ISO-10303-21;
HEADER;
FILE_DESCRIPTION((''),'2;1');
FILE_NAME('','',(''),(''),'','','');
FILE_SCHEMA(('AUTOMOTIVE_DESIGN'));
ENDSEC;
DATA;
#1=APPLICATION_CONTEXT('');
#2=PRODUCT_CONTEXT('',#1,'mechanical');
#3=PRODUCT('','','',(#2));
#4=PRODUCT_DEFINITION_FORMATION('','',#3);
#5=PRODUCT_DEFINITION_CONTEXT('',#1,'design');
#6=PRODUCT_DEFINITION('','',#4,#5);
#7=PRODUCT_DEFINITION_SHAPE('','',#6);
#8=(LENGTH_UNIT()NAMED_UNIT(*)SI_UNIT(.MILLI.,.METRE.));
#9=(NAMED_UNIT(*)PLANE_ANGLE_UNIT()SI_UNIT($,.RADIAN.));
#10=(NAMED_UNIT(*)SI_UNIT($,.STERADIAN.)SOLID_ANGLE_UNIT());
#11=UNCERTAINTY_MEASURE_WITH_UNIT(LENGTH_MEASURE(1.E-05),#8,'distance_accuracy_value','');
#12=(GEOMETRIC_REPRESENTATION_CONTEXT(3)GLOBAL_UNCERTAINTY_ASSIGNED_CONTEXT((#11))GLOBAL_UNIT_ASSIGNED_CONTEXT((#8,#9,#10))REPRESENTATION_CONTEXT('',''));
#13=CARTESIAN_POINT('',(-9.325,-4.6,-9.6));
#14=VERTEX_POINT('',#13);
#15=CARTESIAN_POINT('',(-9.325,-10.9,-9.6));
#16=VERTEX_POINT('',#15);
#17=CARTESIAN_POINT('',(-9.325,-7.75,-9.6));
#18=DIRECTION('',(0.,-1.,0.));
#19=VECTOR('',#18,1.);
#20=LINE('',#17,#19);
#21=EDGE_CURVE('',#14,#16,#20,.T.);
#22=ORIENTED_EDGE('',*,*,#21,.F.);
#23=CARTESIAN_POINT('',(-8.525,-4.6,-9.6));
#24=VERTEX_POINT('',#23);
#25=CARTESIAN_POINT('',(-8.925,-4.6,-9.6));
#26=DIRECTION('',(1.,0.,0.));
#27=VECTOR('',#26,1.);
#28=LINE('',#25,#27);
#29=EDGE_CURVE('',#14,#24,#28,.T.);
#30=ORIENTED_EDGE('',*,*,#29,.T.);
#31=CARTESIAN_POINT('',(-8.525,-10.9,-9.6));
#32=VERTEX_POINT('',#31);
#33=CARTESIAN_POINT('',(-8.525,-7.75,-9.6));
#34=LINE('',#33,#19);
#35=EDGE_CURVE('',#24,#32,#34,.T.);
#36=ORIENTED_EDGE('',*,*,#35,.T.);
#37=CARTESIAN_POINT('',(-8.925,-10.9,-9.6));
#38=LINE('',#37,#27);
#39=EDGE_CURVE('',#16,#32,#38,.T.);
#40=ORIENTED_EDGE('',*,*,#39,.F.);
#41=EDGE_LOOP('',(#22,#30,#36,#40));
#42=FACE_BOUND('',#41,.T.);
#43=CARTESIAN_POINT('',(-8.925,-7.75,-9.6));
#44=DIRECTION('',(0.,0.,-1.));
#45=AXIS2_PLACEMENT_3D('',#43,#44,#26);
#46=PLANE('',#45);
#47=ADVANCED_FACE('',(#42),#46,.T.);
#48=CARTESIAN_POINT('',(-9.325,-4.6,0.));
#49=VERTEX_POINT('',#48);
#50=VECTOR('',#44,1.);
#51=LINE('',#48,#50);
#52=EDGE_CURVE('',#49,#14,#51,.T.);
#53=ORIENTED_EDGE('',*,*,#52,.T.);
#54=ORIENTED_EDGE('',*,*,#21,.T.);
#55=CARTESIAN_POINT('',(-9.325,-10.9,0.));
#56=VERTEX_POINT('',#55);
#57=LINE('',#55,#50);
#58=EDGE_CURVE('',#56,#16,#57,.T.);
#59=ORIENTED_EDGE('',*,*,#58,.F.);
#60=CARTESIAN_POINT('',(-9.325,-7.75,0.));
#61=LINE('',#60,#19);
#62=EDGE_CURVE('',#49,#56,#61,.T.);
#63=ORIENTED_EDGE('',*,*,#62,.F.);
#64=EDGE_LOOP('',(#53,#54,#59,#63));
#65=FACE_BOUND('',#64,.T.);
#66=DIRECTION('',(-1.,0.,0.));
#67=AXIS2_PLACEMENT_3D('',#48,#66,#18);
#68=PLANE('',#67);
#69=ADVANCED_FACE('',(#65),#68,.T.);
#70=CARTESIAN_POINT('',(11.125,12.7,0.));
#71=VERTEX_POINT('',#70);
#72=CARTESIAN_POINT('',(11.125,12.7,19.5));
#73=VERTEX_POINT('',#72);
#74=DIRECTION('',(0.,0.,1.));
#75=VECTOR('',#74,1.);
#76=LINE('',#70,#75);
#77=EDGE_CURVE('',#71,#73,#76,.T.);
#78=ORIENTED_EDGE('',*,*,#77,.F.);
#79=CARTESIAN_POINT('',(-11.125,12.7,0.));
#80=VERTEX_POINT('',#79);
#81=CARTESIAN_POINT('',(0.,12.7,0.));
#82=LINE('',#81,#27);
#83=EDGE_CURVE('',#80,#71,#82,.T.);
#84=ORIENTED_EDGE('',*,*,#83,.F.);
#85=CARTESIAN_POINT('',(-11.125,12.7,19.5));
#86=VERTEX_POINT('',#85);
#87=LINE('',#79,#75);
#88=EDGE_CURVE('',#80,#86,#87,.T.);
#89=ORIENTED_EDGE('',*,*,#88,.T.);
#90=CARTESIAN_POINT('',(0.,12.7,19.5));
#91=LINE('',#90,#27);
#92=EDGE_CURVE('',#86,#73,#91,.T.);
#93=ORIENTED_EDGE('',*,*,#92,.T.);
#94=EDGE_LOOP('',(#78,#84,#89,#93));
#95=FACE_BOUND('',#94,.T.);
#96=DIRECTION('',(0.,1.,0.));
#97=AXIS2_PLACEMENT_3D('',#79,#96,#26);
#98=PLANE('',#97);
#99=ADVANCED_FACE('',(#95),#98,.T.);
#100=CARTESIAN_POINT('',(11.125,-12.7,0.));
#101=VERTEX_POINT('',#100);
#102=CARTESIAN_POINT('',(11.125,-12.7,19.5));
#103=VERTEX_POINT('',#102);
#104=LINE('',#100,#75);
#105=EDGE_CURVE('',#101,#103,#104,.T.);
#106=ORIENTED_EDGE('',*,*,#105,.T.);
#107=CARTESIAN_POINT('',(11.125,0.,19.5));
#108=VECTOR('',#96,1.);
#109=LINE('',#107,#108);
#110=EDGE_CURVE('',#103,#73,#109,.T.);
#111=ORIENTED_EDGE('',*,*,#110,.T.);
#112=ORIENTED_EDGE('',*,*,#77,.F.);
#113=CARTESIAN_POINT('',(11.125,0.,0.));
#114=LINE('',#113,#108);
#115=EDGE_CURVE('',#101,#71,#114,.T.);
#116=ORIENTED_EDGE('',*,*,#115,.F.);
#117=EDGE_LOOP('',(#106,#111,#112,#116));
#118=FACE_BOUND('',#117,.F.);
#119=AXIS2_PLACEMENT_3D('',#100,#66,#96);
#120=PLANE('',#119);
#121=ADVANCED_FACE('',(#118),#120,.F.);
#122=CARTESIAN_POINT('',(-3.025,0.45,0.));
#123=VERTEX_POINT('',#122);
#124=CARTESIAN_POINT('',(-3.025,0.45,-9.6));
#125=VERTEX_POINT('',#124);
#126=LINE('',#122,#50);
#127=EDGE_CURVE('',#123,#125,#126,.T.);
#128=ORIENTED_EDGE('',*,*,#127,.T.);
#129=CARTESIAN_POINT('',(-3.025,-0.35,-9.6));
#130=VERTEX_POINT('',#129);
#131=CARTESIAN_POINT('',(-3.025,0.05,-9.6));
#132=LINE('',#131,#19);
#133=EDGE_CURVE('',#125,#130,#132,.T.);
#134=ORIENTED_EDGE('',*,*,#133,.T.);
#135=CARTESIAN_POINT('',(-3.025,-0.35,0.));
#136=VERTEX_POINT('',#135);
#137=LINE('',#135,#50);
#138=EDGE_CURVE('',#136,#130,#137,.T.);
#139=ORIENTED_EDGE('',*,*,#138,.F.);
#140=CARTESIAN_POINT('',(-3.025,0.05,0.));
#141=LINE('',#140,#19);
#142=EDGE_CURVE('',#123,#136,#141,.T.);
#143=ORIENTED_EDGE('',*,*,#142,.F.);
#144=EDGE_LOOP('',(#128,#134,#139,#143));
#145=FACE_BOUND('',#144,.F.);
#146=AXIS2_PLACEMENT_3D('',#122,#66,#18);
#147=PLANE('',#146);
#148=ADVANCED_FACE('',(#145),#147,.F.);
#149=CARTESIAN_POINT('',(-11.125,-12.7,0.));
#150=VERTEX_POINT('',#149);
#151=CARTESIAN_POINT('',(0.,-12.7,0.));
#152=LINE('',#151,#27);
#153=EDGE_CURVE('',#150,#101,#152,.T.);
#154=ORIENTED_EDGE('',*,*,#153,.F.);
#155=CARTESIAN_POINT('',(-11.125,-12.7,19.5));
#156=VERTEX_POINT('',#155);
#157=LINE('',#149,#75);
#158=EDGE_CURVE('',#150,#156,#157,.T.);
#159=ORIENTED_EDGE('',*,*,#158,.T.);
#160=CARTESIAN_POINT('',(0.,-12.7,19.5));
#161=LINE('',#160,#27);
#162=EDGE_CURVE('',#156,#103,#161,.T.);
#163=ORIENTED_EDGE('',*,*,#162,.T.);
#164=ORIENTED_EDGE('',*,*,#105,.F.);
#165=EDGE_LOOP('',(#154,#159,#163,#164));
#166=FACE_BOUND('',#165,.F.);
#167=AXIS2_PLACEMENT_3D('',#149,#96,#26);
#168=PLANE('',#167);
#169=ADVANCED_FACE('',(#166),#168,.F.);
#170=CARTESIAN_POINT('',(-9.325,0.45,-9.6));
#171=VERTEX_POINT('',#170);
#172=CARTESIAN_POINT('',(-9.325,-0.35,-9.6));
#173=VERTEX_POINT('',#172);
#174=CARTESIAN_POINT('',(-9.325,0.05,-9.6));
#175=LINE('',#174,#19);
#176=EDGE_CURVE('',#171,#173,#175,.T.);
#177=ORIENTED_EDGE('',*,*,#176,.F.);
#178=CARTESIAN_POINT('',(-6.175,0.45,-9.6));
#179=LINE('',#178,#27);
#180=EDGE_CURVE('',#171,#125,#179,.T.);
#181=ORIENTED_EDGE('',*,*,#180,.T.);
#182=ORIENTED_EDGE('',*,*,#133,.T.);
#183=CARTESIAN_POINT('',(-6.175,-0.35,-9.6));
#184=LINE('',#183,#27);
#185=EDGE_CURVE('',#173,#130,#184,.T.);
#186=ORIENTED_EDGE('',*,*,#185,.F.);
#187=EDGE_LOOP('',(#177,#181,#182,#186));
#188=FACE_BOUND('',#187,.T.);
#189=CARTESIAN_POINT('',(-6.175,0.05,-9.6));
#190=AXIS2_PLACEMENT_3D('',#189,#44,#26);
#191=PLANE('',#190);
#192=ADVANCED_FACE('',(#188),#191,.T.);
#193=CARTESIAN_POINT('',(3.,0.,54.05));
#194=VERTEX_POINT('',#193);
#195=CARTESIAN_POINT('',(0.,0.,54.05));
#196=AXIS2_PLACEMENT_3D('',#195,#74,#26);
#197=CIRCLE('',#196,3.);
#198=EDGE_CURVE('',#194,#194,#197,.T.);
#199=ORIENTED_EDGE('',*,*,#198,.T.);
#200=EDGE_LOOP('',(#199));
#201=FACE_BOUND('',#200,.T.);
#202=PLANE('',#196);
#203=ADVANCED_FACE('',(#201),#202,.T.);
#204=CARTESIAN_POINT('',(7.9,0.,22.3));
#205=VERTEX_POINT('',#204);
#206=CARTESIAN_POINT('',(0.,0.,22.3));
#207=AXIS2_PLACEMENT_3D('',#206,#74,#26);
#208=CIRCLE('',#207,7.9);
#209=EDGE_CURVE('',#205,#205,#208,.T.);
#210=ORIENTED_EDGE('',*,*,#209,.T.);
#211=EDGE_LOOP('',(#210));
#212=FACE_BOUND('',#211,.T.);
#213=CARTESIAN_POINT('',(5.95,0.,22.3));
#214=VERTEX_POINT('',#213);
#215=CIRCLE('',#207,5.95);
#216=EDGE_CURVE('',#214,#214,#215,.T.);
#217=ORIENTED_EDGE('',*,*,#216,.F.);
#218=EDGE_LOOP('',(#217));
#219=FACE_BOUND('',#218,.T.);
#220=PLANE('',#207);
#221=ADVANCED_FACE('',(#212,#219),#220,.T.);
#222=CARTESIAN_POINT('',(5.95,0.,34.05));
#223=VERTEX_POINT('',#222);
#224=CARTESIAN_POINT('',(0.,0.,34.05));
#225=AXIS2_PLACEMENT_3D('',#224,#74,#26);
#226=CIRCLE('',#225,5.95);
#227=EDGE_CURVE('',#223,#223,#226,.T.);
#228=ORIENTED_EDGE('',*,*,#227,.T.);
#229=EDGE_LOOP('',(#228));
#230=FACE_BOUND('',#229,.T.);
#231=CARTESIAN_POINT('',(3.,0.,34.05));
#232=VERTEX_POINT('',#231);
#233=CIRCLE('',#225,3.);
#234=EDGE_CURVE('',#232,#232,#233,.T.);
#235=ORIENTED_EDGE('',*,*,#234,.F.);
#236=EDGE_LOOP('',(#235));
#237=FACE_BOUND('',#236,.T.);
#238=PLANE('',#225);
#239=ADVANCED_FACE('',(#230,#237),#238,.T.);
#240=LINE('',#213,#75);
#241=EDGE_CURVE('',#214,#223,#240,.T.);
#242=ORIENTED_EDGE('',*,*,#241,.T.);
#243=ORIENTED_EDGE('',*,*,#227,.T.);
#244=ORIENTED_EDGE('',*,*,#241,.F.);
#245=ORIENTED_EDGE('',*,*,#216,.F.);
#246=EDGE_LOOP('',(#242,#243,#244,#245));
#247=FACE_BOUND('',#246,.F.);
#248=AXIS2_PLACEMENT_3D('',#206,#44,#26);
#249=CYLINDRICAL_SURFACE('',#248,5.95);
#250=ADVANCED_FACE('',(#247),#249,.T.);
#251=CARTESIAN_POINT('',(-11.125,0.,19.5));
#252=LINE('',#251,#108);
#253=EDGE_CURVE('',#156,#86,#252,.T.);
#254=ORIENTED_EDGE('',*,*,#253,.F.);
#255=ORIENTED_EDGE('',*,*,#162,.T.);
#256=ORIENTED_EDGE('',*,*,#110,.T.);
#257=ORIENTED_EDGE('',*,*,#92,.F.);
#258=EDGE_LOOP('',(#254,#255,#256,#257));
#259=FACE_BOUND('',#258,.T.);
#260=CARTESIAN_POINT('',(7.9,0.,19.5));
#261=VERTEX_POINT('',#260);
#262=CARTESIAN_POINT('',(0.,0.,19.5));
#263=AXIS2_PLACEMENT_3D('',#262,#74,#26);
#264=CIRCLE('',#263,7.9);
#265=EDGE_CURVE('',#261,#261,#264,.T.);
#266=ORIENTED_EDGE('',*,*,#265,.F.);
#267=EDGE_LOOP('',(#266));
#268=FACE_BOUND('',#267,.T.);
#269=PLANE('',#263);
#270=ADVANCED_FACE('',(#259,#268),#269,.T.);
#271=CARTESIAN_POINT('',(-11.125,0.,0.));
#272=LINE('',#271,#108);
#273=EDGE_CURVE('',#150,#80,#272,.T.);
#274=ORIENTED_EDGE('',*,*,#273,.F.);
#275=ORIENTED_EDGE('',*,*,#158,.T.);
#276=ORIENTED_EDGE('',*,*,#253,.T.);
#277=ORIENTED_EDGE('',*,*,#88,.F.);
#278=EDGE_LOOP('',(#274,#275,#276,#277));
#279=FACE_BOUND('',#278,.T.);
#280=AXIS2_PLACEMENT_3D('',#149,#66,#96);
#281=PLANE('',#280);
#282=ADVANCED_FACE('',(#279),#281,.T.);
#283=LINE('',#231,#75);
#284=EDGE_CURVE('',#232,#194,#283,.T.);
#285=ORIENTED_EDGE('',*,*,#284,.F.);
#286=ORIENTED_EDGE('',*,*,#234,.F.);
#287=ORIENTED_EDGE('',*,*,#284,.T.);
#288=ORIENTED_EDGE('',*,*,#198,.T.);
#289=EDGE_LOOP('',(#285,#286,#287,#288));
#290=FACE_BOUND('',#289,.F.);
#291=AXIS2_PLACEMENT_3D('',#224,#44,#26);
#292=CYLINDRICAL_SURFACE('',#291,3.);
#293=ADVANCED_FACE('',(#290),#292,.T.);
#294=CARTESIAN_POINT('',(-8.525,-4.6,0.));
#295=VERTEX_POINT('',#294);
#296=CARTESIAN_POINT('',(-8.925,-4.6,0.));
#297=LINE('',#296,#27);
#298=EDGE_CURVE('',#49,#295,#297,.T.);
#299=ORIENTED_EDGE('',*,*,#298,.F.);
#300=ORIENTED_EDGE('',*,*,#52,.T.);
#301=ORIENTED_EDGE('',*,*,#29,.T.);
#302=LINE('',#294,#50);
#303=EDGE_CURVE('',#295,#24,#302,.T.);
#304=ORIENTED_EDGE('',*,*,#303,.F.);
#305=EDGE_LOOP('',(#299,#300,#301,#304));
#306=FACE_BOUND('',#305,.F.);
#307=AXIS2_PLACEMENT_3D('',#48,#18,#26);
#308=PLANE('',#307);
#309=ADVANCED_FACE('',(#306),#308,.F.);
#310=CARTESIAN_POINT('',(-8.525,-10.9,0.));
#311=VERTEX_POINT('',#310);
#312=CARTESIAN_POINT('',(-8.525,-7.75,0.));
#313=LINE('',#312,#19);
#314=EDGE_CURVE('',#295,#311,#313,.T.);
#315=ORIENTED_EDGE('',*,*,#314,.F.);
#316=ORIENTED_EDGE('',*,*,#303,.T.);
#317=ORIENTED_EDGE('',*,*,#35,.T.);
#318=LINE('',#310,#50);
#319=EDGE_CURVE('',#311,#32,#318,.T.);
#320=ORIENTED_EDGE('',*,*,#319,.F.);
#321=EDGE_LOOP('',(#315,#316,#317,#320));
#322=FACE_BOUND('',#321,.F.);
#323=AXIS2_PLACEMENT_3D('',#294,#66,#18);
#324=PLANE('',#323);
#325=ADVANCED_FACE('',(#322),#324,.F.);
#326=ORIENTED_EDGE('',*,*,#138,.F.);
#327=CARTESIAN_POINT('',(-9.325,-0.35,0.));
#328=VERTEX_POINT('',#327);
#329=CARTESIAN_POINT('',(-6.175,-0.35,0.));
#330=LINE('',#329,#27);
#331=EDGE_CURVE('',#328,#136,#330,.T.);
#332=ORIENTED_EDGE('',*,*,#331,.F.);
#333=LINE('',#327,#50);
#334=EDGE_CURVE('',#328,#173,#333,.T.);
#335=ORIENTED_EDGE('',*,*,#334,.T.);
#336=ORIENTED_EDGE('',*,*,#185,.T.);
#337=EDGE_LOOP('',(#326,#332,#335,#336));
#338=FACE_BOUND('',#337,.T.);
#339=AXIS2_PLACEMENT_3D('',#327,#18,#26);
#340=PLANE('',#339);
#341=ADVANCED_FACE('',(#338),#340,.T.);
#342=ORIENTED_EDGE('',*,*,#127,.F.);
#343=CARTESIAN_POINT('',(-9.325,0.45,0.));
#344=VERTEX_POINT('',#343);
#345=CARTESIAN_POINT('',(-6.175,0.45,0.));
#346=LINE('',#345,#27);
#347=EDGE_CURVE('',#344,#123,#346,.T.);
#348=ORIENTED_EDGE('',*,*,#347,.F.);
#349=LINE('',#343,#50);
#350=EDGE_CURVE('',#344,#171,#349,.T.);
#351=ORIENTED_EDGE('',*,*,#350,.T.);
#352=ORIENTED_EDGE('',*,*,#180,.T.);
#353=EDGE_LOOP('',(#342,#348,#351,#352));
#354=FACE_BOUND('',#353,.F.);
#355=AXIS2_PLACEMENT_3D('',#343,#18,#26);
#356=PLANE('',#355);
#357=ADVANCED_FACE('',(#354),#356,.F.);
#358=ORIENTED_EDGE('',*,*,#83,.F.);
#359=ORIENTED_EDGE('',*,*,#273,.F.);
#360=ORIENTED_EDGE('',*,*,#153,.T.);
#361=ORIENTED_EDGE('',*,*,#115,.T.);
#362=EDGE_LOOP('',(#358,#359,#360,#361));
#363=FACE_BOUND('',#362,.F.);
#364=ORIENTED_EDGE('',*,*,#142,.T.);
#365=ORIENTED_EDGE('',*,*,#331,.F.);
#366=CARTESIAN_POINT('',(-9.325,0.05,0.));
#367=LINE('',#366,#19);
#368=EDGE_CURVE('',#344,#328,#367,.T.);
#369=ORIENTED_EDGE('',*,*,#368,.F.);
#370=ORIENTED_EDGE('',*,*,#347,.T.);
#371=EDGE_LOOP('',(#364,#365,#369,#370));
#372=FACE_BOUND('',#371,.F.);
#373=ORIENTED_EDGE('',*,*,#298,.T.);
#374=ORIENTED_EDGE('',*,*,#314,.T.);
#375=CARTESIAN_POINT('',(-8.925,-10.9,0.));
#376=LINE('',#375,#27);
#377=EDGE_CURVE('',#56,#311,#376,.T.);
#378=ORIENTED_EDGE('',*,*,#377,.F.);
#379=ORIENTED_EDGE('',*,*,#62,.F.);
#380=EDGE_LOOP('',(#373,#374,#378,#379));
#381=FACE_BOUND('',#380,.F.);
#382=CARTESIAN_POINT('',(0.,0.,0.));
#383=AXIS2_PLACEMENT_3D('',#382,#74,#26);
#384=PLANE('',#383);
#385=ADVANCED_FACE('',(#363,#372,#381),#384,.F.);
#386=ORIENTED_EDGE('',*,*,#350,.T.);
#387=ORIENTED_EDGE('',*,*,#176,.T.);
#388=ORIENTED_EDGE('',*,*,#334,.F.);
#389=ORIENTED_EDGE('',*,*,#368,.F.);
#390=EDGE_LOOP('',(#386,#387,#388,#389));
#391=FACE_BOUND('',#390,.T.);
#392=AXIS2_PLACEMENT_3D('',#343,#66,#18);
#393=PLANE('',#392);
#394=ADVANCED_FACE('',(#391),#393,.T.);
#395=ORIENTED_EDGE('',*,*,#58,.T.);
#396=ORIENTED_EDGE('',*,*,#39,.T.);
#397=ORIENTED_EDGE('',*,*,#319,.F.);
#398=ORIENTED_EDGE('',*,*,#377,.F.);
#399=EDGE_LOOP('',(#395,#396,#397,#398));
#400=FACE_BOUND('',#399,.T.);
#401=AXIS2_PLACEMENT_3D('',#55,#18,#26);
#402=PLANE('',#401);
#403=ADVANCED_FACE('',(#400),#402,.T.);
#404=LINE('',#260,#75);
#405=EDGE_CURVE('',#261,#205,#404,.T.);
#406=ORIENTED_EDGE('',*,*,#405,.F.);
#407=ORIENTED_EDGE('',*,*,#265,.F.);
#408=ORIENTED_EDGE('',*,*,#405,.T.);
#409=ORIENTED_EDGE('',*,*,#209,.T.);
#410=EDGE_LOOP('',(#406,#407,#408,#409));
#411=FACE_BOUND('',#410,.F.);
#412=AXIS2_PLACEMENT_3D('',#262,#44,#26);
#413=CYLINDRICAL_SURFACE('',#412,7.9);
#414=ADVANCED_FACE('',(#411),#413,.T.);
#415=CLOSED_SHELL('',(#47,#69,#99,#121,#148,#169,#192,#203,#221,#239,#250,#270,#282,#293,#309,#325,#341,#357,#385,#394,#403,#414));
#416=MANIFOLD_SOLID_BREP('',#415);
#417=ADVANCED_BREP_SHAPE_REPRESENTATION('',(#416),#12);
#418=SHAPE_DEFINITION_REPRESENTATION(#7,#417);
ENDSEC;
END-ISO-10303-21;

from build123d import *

# Parameters (mm, degrees)
F0_W     = 22.25
F0_H     = 25.4
F1_DEPTH = 19.5
F2_R     = 7.9
F2_R_2   = 5.95
F3_DEPTH = 2.8
F4_R     = 5.95
F5_DEPTH = 11.75
F6_R     = 3
F7_DEPTH = 20
F8_W     = 0.8
F8_H     = 6.3
F8_W_2   = 6.3
F8_H_2   = 0.8
F9_DEPTH = 9.6


with BuildPart() as f1:
    # F0 (on Top) → F1 (new body)
    with BuildSketch(Plane.XY):
        Rectangle(F0_W, F0_H)
    extrude(amount=F1_DEPTH)

    # F2 (on face) → F3 (join)
    with BuildSketch(Plane.XY.offset(19.5)):
        Circle(F2_R)
        Circle(F2_R_2, mode=Mode.SUBTRACT)
        Circle(F2_R_2)
    extrude(amount=F3_DEPTH)

    # F4 (on face) → F5 (join)
    with BuildSketch(Plane.XY.offset(22.3)):
        Circle(F4_R)
    extrude(amount=F5_DEPTH)

    # F6 (on face) → F7 (join)
    with BuildSketch(Plane.XY.offset(34.05)):
        Circle(F6_R)
    extrude(amount=F7_DEPTH)

    # F8 (on face) → F9 (join)
    with BuildSketch(Plane(origin=(0, 0, 0), x_dir=(1, 0, 0), z_dir=(0, 0, -1))):
        with Locations((-8.925, 7.75)):
            Rectangle(F8_W, F8_H)
        with Locations((-6.175, -0.05)):
            Rectangle(F8_W_2, F8_H_2)
    extrude(amount=F9_DEPTH)


solid = f1.part
